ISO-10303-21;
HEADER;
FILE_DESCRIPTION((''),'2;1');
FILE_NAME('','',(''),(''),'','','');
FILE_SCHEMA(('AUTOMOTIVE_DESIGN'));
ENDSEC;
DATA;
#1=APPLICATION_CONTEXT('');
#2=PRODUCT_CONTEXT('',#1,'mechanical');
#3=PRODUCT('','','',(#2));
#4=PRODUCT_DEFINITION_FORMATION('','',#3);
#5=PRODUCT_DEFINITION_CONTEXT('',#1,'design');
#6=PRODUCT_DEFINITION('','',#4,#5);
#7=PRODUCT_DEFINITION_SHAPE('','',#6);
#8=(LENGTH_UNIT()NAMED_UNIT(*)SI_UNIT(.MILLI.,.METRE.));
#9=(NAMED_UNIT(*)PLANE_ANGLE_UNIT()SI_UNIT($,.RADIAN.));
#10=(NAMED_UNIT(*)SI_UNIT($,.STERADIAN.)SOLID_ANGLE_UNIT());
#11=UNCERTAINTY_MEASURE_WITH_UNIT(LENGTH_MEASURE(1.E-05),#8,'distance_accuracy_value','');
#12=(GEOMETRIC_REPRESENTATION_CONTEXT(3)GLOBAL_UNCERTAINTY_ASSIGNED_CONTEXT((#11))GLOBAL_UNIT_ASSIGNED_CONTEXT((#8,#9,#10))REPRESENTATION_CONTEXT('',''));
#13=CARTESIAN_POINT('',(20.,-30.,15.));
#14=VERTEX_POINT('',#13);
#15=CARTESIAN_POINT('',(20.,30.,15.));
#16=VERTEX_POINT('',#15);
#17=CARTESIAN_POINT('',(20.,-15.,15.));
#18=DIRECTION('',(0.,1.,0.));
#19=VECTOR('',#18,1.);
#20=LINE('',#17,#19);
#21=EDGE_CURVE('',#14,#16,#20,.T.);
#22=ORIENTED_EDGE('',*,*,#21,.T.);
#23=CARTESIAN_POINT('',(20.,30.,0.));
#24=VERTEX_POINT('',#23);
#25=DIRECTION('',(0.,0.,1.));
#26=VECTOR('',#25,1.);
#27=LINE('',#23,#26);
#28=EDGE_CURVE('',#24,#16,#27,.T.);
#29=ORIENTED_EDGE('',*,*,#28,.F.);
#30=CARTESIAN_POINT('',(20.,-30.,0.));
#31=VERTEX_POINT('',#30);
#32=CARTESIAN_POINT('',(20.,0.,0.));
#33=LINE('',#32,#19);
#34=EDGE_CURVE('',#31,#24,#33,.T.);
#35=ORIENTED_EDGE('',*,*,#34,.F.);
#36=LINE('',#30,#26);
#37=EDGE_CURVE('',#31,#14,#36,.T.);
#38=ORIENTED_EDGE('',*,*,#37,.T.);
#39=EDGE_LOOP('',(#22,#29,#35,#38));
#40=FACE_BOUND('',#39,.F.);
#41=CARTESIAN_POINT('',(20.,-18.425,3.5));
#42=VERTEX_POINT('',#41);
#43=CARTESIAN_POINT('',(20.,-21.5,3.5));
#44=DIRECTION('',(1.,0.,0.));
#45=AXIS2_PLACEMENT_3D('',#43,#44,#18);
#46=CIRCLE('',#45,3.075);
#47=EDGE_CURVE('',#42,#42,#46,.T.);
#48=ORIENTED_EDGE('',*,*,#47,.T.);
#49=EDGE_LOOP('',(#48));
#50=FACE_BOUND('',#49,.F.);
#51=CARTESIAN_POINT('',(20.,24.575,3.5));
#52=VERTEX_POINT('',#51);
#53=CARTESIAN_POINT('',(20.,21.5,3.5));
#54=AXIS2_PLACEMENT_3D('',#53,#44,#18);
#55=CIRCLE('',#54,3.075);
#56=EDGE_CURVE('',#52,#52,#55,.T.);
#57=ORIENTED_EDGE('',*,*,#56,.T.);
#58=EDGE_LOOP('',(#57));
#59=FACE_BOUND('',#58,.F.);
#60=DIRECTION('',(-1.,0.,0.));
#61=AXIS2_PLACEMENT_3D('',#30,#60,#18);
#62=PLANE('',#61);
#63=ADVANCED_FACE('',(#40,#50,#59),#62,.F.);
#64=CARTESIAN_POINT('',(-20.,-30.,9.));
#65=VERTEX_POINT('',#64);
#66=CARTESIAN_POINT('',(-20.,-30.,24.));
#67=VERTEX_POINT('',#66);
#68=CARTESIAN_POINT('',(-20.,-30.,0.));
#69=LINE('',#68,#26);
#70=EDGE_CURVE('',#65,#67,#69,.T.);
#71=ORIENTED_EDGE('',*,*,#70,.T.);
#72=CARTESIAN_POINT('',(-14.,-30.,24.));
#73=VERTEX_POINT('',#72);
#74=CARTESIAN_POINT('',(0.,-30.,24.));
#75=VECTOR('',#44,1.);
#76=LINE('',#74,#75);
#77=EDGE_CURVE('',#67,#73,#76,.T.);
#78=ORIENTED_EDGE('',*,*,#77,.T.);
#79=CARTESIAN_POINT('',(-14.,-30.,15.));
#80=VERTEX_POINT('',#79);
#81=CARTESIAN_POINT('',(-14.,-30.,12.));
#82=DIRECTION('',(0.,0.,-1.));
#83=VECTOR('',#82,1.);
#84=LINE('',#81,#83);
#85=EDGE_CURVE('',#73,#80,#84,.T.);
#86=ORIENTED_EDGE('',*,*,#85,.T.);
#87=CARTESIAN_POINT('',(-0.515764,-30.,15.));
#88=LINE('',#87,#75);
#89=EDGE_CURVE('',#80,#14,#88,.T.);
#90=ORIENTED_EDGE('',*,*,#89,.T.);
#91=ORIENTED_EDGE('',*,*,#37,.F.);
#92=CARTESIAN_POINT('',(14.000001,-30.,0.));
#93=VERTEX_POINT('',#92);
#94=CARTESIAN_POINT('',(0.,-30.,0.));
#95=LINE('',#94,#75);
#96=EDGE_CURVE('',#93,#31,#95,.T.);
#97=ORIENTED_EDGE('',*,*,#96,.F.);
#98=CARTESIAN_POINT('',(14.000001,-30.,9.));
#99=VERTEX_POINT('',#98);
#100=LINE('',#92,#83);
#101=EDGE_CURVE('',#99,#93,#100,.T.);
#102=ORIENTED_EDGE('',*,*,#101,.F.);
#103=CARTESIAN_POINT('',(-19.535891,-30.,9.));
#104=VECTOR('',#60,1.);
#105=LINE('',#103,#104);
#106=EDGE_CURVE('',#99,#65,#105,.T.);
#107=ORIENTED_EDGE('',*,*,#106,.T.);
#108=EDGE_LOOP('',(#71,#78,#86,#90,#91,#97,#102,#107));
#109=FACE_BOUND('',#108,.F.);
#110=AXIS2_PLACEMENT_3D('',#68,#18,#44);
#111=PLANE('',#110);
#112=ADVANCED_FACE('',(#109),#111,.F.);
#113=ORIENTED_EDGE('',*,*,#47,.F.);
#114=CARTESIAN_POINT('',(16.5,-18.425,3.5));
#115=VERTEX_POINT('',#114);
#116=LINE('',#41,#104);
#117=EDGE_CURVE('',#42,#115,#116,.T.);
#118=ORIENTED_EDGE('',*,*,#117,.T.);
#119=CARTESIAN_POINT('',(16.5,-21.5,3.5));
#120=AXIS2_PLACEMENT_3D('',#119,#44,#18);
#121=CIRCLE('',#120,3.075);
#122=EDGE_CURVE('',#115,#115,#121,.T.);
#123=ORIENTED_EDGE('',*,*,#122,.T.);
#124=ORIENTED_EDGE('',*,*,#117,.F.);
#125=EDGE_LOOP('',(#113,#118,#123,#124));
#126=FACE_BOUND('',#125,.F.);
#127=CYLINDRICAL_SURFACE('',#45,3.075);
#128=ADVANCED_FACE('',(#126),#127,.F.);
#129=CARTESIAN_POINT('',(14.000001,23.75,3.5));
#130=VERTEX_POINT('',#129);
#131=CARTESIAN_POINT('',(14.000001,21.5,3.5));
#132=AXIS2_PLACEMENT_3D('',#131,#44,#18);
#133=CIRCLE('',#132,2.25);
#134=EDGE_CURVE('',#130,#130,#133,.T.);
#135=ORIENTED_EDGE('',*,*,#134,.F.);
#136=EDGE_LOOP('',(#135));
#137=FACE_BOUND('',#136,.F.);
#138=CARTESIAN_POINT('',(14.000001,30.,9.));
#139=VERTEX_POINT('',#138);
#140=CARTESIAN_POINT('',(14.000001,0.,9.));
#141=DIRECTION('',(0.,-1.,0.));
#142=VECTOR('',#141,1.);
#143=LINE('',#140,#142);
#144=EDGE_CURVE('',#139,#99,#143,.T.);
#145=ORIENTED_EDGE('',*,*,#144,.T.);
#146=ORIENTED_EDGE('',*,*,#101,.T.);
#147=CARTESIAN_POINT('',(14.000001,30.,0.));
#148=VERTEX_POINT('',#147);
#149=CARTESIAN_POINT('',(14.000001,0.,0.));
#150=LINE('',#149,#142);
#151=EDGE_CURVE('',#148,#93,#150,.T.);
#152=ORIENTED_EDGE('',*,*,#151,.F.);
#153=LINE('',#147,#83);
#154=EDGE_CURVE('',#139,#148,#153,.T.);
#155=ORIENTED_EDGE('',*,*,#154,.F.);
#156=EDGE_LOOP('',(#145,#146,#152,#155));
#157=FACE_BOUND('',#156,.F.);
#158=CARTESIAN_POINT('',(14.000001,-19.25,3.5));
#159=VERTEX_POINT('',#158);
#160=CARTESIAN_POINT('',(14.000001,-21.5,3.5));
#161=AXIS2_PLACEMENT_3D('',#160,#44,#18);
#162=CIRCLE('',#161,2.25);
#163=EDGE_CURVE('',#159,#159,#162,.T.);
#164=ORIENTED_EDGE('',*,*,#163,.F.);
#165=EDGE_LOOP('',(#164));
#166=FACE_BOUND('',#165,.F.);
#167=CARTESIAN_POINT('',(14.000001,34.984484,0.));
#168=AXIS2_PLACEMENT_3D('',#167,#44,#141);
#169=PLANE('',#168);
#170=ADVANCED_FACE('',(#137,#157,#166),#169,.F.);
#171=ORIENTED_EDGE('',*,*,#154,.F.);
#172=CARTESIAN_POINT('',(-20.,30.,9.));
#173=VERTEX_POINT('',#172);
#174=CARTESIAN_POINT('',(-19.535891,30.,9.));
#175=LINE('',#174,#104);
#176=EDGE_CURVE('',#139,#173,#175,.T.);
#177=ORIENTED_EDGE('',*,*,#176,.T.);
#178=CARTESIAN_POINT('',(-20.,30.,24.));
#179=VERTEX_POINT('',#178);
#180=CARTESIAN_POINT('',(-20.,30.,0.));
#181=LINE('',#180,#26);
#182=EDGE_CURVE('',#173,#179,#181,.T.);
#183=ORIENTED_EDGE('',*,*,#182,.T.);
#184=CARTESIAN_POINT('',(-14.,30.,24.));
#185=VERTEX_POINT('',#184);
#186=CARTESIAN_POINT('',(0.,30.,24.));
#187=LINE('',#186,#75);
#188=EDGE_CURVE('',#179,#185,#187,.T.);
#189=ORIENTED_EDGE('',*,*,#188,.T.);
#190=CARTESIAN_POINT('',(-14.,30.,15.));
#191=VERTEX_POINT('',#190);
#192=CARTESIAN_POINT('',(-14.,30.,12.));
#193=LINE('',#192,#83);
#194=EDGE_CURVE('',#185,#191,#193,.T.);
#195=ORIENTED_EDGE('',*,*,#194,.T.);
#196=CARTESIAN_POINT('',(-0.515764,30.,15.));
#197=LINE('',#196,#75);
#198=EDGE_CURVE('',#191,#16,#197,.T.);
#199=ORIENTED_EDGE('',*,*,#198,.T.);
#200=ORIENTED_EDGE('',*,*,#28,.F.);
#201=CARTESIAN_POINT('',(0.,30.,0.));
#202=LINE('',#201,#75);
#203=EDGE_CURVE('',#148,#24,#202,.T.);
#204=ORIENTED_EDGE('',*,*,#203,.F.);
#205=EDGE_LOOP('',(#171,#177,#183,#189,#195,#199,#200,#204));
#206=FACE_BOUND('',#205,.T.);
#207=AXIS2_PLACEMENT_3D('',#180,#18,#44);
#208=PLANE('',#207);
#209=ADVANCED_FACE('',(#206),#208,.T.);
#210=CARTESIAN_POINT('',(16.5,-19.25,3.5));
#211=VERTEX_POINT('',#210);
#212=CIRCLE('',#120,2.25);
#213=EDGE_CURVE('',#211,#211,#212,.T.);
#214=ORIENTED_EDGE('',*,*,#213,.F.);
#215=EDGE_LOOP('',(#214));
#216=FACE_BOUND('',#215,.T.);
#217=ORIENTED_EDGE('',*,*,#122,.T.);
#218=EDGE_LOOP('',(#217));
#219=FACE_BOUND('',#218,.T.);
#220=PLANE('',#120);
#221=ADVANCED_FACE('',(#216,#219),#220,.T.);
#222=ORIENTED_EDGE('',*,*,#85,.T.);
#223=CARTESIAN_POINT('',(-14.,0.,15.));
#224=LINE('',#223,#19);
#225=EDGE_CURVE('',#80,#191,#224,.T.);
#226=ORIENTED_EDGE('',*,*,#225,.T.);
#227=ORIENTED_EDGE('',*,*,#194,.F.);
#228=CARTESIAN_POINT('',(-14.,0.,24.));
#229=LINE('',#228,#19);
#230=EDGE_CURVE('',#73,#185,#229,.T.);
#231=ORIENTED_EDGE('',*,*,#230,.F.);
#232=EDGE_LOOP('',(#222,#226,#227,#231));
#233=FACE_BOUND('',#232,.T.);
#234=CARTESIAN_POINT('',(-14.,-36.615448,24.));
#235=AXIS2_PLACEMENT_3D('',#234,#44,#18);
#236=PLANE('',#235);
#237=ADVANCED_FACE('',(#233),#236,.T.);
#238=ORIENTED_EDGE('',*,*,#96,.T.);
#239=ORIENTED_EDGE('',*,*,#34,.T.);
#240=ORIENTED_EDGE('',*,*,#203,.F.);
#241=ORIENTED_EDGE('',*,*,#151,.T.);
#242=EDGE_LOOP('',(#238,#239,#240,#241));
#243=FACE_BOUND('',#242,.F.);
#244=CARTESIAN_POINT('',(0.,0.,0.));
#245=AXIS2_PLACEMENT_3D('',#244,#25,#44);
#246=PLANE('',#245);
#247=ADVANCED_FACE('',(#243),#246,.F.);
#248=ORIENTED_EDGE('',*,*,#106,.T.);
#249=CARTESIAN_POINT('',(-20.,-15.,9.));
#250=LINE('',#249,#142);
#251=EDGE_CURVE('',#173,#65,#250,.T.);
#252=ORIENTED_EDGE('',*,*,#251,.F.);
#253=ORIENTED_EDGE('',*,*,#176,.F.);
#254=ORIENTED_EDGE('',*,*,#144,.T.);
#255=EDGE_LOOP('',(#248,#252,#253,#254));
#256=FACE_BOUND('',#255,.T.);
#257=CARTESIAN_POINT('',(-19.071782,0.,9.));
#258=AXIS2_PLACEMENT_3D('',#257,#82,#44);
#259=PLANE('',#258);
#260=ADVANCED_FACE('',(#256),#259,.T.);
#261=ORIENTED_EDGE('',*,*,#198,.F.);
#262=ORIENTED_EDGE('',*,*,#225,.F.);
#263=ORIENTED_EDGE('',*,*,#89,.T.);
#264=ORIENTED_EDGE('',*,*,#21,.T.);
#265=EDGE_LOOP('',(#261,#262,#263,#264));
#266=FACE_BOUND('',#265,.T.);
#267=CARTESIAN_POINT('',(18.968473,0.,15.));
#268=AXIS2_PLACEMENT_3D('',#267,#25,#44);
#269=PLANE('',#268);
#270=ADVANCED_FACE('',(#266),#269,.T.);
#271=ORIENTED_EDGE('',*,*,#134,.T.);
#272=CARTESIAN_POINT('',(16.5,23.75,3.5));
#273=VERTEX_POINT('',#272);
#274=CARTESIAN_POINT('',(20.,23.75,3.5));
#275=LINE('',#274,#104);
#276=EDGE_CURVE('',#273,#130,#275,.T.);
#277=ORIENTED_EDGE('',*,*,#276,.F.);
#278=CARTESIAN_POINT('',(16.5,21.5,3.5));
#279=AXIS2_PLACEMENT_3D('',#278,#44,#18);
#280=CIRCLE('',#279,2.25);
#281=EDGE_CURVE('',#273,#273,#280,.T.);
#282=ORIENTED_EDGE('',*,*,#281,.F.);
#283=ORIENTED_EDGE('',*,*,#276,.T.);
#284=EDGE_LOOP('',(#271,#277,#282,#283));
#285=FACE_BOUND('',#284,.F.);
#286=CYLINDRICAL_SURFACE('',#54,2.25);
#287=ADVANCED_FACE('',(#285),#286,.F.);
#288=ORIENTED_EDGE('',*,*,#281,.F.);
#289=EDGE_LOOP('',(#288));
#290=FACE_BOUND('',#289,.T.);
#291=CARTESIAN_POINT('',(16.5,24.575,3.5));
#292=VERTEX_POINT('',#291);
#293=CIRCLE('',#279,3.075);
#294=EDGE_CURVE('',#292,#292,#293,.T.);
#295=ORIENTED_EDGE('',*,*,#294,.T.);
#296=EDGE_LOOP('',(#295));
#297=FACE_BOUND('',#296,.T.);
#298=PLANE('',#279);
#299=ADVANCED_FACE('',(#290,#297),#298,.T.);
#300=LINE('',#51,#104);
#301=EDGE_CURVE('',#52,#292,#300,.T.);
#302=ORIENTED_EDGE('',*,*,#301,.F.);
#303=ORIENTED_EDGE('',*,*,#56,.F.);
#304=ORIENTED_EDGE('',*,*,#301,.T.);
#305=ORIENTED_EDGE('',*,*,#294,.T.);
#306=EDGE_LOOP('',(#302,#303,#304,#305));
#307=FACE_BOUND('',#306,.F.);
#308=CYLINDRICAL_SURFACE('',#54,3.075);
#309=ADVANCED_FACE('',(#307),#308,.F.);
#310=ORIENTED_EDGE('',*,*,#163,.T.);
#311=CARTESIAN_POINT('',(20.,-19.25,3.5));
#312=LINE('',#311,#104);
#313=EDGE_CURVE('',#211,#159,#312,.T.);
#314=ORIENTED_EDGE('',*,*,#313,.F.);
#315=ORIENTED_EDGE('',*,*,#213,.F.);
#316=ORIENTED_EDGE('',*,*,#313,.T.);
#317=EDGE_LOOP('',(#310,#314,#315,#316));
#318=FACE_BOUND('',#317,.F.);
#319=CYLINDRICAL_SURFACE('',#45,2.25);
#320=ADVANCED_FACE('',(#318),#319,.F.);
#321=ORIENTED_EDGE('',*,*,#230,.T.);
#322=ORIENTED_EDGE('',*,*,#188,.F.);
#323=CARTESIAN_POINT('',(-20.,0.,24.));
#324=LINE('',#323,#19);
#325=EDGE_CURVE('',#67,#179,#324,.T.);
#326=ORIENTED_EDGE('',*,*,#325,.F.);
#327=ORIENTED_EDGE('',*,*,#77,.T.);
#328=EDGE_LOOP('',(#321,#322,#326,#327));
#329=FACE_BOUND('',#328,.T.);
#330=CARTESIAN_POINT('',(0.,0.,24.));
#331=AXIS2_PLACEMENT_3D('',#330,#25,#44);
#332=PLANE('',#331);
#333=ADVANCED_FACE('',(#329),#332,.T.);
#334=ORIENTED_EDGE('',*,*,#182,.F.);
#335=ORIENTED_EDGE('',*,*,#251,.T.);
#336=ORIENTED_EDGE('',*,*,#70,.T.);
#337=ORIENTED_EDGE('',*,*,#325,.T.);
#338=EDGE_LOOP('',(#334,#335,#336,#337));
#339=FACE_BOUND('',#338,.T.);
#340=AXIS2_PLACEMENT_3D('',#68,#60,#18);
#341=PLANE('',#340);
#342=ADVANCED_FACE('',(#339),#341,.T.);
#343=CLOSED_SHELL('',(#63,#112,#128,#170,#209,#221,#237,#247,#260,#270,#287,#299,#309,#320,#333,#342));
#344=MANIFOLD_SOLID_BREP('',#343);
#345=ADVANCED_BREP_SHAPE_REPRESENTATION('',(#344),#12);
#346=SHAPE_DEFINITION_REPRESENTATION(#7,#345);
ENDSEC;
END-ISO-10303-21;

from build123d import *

# Parameters (mm, degrees)
F0_W     = 40
F0_H     = 60
F1_DEPTH = 24
F2_W     = 65.936946
F2_H     = 73.230896
F3_DEPTH = 9
F4_W     = 66.143565
F4_H     = 69.968968
F5_DEPTH = 9
F6_R     = 2.25
F7_DEPTH = 8
F8_R     = 3.075
F9_DEPTH = 3.5


with BuildPart() as f1:
    # F0 (on Top) → F1 (new body)
    with BuildSketch(Plane.XY):
        Rectangle(F0_W, F0_H)
    extrude(amount=F1_DEPTH)

    # F2 (on face) → F3 (cut)
    with BuildSketch(Plane.XY.offset(24)):
        with Locations((18.968473, 0)):
            Rectangle(F2_W, F2_H)
    extrude(amount=-F3_DEPTH, mode=Mode.SUBTRACT)

    # F4 (on face) → F5 (cut)
    with BuildSketch(Plane(origin=(0, 0, 0), x_dir=(1, 0, 0), z_dir=(0, 0, -1))):
        with Locations((-19.071782, 0)):
            Rectangle(F4_W, F4_H)
    extrude(amount=-F5_DEPTH, mode=Mode.SUBTRACT)

    # F6 (on face) → F7 (cut)
    with BuildSketch(Plane.YZ.offset(20)):
        with Locations((21.5, 3.5)):
            Circle(F6_R)
        with Locations((-21.5, 3.5)):
            Circle(F6_R)
    extrude(amount=-F7_DEPTH, mode=Mode.SUBTRACT)

    # F8 (on face) → F9 (cut)
    with BuildSketch(Plane.YZ.offset(20)):
        with Locations((-21.5, 3.5)):
            Circle(F8_R)
        with Locations((21.5, 3.5)):
            Circle(F8_R)
    extrude(amount=-F9_DEPTH, mode=Mode.SUBTRACT)


solid = f1.part
